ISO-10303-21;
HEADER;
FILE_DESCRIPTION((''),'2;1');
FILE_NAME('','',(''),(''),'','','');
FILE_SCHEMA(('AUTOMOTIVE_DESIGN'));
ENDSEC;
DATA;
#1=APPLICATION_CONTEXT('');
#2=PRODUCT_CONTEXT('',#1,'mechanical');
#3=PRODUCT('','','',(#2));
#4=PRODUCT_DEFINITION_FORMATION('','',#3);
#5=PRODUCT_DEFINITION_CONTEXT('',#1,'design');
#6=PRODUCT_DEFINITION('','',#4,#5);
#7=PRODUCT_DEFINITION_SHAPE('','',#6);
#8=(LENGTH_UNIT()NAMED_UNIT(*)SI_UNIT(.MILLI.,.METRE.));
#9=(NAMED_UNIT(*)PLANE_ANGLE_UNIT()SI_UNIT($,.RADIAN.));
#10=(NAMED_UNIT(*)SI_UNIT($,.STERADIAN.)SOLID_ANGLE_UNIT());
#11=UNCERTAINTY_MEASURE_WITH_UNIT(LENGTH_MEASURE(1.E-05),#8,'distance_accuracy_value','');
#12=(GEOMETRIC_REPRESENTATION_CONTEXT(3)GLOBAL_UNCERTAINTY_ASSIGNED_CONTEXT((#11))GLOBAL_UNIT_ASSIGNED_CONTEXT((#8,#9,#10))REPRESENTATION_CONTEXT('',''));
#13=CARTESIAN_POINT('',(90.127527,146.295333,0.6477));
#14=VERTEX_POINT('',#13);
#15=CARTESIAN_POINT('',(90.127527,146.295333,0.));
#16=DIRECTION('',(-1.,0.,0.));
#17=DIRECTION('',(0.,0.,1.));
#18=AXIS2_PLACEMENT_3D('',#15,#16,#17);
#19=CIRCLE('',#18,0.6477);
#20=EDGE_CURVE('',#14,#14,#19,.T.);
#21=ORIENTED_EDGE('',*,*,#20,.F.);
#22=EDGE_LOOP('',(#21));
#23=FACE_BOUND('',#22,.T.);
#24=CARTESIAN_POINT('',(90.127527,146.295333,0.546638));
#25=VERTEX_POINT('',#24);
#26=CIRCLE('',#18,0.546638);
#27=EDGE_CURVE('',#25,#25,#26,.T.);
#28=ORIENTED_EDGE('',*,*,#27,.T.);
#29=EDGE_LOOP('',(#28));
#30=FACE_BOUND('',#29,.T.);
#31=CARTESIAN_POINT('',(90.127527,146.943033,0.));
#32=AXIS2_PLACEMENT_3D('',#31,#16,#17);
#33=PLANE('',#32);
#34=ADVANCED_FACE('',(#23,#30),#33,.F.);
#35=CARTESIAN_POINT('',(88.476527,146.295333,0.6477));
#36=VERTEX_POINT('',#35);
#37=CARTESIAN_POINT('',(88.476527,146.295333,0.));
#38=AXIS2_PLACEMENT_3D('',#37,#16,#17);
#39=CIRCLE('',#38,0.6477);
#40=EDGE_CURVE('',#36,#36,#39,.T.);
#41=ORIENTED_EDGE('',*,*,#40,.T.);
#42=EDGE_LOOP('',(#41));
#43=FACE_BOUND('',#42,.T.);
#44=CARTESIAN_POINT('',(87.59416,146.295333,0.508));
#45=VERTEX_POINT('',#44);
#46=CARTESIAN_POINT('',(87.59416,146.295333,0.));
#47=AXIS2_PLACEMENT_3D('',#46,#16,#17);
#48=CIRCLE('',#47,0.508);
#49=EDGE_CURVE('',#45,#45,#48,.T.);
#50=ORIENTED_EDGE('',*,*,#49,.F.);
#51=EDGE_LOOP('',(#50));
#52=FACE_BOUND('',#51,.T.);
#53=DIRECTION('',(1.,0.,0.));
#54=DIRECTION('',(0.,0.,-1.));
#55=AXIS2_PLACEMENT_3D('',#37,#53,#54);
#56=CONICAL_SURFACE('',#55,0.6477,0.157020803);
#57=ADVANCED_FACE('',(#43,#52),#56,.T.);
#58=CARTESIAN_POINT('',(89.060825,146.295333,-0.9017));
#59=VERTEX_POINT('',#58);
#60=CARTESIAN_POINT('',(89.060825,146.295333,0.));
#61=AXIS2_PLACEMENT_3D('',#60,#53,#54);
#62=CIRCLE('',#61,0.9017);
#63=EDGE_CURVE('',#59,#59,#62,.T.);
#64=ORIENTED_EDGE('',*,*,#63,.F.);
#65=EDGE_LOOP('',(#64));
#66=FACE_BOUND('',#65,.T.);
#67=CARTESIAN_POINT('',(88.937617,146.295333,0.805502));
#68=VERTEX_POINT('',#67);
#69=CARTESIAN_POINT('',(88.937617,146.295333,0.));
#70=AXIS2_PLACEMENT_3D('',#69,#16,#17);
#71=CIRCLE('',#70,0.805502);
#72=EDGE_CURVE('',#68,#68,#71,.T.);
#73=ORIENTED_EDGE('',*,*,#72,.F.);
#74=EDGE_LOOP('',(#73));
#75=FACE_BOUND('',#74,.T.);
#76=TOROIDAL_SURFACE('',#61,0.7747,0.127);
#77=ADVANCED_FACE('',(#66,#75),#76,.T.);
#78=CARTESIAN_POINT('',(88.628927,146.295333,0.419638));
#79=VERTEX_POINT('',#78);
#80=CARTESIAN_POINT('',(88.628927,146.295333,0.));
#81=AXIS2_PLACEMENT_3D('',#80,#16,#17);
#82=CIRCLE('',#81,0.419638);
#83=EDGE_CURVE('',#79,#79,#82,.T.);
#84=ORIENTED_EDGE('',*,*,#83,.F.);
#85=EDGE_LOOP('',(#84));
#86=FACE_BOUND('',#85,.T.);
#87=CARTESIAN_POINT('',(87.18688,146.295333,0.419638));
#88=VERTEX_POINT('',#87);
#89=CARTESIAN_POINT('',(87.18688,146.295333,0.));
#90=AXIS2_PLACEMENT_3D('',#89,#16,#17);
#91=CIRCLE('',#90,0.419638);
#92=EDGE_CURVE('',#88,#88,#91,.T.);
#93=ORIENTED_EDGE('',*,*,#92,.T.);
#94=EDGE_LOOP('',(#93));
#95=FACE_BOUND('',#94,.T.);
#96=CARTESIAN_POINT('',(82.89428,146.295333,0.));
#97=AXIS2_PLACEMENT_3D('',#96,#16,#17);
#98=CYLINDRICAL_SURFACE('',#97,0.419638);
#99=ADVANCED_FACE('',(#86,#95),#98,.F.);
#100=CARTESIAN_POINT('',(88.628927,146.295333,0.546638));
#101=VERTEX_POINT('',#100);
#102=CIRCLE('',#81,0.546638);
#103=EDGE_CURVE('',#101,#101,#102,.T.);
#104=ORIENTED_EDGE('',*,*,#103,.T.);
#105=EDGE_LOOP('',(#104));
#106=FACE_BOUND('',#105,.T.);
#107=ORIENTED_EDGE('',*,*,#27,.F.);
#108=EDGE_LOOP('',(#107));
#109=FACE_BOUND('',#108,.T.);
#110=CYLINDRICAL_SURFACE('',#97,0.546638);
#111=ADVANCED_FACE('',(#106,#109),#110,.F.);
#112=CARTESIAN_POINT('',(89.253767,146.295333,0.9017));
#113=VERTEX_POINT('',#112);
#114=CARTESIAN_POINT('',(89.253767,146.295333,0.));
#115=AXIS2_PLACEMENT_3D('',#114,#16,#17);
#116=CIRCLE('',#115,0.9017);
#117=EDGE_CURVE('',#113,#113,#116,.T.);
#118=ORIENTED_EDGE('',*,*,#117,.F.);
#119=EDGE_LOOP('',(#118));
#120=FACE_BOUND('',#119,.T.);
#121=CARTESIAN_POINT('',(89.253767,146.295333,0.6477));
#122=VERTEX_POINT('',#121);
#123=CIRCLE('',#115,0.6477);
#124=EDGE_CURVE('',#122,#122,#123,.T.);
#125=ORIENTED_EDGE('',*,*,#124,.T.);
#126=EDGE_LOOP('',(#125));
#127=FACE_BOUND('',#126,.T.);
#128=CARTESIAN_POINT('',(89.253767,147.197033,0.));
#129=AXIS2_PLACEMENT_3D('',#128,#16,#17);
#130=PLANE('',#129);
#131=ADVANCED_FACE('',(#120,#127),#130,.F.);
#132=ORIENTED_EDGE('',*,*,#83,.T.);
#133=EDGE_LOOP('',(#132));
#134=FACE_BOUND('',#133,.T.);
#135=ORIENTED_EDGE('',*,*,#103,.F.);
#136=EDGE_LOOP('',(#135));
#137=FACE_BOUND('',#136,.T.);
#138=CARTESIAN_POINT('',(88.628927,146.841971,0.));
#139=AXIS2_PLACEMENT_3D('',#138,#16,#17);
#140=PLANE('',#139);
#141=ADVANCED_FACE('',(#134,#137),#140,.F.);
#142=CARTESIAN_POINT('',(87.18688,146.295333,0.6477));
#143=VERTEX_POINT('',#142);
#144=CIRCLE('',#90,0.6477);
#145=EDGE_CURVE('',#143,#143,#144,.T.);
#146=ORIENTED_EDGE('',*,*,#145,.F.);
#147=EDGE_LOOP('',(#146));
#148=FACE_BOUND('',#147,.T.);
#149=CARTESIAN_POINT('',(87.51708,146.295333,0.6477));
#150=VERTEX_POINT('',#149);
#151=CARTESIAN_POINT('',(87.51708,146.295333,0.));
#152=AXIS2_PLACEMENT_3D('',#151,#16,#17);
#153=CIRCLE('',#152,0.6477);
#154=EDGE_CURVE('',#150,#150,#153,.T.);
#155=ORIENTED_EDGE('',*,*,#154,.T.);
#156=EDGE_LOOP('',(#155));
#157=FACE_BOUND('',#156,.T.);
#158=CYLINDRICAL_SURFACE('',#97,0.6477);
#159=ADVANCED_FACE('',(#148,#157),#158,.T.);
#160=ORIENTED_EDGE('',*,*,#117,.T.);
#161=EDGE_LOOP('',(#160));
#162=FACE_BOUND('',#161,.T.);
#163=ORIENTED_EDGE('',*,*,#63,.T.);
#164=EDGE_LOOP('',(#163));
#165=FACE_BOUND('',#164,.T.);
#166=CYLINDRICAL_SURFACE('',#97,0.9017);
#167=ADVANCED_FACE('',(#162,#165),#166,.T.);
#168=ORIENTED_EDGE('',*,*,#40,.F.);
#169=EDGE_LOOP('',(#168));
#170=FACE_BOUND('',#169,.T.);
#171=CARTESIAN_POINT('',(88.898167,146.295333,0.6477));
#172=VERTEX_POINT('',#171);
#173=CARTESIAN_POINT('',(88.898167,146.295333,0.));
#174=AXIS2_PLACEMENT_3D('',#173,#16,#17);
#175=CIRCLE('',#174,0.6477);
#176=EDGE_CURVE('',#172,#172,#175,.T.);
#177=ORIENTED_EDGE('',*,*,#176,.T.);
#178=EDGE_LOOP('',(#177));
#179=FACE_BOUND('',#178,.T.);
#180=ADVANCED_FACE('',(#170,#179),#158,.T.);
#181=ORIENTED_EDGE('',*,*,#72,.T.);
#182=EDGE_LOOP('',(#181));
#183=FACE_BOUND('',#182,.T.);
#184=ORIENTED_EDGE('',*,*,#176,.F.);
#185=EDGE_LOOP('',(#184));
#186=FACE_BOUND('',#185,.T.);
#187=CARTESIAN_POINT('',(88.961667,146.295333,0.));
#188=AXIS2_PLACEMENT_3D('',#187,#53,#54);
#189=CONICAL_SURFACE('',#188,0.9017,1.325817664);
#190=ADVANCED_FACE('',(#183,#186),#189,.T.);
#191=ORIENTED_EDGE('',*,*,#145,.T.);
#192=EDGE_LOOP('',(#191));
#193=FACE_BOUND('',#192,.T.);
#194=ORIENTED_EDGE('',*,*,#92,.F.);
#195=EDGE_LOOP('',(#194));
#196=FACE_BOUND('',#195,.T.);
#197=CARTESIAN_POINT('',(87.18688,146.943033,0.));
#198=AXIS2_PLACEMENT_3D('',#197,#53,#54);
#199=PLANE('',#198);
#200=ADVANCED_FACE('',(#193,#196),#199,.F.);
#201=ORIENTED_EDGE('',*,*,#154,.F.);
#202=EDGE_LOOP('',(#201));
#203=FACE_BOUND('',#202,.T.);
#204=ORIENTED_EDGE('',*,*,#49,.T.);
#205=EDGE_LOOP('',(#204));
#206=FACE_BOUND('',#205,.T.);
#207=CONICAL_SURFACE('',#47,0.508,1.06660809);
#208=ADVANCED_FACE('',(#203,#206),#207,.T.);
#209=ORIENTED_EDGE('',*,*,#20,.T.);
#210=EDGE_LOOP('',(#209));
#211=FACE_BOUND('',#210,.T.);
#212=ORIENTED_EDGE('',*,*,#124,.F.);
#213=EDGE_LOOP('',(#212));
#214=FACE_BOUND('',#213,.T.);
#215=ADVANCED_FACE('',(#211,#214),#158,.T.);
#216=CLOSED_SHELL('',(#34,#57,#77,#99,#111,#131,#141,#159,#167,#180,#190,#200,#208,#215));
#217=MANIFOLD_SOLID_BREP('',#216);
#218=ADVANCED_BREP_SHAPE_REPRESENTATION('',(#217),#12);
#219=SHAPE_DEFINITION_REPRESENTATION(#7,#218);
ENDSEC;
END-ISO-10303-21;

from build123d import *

# Parameters (mm, degrees)
FILLET2_R = 0.127


with BuildPart() as part:
    # Sketch1 → Revolve1 (revolve)
    with BuildSketch(Plane.XY, mode=Mode.PRIVATE) as revolve1_sk:
        Polygon((88.476526811, 146.943032749), (88.898166811, 146.943032749), (88.961666811, 147.197032749), (89.253766811, 147.197032749), (89.253766811, 146.943032749), (90.127526811, 146.943032749), (90.127526811, 146.841971125), (88.628926811, 146.841971125), (88.628926811, 146.714971125), (87.186879843, 146.714971125), (87.186879843, 146.943032749), (87.517079843, 146.943032749), (87.594159764, 146.803332749), align=None)
    revolve(revolve1_sk.sketch.rotate(Axis((82.894279843, 146.295332749, 0), (1, 0, 0)), 90), axis=Axis((82.894279843, 146.295332749, 0), (1, 0, 0)))

    # Fillet2
    fillet2_edges = [part.edges().sort_by_distance(p)[0] for p in [
        (88.961666811, 146.295332749, -0.9017),
    ]]
    fillet(fillet2_edges, radius=FILLET2_R)


solid = part.part
